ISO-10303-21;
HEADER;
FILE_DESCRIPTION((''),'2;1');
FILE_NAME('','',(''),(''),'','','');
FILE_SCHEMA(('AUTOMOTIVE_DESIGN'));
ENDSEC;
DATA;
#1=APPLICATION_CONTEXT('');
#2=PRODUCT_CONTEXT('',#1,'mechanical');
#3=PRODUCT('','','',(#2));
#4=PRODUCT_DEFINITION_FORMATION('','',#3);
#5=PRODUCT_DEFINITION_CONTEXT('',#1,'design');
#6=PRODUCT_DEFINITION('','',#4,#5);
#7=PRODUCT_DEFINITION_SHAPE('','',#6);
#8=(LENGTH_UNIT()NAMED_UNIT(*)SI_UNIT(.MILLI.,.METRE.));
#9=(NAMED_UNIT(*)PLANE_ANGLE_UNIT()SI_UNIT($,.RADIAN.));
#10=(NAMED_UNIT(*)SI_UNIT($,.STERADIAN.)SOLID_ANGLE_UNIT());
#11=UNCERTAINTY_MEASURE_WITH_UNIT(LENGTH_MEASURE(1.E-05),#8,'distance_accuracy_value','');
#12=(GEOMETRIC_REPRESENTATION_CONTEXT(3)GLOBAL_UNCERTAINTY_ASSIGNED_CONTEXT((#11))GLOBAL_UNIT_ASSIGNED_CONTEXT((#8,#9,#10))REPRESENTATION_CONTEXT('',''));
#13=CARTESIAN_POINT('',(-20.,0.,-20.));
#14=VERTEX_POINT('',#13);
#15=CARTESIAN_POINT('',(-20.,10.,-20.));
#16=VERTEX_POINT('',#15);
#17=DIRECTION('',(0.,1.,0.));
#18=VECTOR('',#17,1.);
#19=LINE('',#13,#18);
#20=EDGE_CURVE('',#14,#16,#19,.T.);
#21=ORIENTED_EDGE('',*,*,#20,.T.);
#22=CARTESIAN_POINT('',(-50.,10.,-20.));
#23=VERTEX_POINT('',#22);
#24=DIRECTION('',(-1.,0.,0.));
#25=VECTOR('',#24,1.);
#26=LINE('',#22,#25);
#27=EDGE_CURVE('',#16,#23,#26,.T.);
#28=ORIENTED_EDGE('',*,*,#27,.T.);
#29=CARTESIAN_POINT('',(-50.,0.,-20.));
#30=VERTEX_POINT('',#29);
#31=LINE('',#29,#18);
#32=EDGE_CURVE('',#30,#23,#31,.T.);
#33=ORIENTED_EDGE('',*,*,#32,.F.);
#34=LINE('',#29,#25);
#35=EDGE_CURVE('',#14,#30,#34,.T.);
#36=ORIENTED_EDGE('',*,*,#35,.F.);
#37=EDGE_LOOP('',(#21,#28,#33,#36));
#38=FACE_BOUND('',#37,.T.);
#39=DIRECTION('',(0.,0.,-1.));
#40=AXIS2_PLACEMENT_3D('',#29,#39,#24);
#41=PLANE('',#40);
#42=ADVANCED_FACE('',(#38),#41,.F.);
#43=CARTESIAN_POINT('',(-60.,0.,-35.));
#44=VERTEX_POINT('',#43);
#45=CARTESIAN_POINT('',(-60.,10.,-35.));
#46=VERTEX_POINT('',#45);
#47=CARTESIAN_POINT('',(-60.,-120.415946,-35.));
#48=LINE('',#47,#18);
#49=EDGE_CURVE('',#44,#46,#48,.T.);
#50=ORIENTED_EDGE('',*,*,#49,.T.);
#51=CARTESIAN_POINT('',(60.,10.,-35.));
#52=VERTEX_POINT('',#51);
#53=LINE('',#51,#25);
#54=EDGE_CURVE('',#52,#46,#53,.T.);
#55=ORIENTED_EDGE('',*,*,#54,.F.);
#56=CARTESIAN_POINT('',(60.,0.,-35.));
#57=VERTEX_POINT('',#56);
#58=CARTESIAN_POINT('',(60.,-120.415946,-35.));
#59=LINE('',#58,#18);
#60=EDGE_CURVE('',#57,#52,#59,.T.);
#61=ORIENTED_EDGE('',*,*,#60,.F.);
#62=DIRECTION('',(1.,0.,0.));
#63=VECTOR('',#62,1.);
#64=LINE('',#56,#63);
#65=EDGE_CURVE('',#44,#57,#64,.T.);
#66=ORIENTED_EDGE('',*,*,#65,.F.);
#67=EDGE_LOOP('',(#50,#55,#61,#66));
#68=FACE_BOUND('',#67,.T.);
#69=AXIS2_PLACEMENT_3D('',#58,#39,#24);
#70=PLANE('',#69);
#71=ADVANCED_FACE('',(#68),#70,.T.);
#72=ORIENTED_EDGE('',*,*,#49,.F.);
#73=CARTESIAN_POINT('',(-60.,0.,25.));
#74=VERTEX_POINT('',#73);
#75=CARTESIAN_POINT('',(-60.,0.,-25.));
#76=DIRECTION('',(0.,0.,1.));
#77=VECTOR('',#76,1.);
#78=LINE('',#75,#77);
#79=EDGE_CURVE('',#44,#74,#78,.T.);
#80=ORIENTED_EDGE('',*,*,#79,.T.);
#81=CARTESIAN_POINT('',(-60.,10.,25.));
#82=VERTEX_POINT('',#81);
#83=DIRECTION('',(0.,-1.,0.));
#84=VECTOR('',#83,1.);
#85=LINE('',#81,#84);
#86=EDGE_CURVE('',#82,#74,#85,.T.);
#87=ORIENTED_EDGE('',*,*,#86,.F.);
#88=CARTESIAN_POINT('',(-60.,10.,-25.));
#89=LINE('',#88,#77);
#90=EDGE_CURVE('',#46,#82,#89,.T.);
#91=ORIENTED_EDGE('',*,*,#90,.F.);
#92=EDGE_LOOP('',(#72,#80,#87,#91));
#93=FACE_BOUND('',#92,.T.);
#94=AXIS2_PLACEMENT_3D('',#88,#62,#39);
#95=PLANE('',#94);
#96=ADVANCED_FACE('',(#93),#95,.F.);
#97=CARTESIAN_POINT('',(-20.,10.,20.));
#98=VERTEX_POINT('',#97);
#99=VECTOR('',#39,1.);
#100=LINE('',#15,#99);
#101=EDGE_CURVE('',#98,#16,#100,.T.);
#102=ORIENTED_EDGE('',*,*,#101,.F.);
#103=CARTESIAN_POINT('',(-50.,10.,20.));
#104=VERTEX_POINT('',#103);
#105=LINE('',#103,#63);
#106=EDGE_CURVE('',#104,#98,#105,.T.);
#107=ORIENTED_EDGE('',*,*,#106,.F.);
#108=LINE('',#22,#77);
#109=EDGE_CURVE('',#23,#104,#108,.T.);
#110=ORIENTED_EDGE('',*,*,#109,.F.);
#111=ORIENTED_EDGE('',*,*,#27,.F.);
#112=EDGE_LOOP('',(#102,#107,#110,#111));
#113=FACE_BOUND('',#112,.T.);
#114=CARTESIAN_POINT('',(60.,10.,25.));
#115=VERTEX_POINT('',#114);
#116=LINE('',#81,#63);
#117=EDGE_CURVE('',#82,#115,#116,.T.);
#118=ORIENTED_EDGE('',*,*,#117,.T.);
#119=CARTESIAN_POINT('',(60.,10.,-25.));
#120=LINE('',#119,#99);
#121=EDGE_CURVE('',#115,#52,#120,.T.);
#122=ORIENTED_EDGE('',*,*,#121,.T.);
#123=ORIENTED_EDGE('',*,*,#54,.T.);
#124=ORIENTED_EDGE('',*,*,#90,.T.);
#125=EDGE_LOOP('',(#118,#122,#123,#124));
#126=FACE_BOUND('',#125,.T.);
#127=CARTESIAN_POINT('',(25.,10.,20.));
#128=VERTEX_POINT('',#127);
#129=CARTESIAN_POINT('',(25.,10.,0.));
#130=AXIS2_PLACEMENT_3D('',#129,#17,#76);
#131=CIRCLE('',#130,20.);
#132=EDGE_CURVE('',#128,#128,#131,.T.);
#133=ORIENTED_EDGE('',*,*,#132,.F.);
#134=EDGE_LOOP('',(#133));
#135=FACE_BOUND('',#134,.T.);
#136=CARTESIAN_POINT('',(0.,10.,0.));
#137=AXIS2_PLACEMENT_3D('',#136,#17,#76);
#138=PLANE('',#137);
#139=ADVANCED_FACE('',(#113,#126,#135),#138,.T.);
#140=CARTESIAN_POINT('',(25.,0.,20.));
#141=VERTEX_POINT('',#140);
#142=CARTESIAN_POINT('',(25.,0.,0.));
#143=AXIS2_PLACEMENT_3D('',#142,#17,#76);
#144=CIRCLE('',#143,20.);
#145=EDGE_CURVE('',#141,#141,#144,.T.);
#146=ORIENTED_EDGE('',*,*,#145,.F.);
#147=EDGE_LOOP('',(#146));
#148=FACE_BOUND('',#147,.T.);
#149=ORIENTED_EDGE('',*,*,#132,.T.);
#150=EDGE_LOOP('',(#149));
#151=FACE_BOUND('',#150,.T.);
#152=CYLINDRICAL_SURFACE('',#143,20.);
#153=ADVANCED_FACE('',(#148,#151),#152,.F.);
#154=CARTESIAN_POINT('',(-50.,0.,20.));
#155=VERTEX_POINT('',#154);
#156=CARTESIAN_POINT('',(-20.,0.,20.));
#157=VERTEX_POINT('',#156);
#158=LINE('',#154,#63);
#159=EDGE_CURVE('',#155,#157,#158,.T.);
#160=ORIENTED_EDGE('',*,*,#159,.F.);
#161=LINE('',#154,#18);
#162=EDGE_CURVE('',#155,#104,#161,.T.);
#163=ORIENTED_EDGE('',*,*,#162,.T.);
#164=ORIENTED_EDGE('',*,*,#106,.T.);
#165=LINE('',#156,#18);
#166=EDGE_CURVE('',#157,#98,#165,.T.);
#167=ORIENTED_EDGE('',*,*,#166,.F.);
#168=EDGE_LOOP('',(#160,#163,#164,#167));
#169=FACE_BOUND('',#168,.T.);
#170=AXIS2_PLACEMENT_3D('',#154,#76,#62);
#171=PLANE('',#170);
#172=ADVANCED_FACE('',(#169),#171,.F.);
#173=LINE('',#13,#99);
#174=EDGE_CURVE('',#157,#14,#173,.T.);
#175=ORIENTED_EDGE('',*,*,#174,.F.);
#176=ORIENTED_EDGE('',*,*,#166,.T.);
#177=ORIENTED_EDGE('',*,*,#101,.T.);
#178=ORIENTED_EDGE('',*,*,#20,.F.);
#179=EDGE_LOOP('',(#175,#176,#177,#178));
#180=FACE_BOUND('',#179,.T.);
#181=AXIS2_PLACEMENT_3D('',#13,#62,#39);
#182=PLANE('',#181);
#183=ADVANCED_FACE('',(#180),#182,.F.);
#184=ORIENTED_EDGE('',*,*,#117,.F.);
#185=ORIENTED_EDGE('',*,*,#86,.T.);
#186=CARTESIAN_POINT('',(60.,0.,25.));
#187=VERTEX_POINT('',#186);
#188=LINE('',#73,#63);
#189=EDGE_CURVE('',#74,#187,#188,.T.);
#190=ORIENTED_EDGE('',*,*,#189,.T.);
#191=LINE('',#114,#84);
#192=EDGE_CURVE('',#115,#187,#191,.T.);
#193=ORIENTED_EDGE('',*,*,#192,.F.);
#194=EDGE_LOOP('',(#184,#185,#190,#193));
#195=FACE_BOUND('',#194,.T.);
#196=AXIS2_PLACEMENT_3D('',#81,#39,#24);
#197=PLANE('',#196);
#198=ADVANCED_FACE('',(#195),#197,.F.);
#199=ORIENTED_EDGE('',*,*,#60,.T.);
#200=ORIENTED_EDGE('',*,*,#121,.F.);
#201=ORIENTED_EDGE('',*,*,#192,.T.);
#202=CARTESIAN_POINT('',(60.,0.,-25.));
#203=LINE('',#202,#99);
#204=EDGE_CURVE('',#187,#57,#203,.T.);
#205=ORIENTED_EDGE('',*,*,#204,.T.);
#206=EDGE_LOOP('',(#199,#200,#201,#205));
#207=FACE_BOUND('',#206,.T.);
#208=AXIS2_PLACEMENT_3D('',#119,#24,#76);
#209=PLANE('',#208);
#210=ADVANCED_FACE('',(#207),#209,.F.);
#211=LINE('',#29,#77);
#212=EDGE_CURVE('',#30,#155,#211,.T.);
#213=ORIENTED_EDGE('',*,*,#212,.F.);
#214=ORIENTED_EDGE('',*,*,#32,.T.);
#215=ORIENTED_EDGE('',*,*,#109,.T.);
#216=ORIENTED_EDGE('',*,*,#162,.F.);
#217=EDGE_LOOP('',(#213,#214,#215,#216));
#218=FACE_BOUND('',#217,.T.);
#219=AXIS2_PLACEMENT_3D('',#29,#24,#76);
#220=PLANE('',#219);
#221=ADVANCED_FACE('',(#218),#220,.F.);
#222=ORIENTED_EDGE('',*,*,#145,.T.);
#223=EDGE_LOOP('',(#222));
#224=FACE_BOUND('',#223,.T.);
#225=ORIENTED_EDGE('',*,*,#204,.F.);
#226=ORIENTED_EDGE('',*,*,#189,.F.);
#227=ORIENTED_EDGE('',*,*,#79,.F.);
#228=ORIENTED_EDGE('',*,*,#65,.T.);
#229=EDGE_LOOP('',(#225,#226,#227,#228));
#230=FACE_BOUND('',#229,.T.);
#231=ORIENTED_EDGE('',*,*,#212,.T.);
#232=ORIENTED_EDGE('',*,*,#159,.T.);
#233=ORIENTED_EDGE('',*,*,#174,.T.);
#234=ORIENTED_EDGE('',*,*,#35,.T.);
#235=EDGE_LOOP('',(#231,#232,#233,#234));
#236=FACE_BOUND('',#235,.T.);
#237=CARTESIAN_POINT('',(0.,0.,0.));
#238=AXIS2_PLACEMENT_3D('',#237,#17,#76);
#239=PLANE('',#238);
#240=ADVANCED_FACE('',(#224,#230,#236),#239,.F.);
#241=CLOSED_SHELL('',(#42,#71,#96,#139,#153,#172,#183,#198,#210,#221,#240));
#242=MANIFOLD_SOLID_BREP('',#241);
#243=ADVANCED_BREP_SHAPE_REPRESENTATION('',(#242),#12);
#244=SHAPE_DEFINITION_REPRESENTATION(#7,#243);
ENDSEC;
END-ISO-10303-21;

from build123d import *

# Parameters (mm, degrees)
SKIZZE1_W                       = 120
SKIZZE1_H                       = 50
AUFSATZ_LINEAR_AUSTRAGEN1_DEPTH = 10
SKIZZE3_R                       = 20
SKIZZE3_W                       = 30
SKIZZE3_H                       = 40
SCHNITT_LINEAR_AUSTRAGEN1_DEPTH = 66.76473219
SKIZZE4_W                       = 120
SKIZZE4_H                       = 10
AUFSATZ_LINEAR_AUSTRAGEN2_DEPTH = 10


with BuildPart() as part:
    # Skizze1 → Aufsatz-Linear austragen1 (new body)
    with BuildSketch(Plane(origin=(0, 0, 0), x_dir=(1, 0, 0), z_dir=(0, 1, 0))):
        Rectangle(SKIZZE1_W, SKIZZE1_H)
    extrude(amount=AUFSATZ_LINEAR_AUSTRAGEN1_DEPTH)

    # Skizze3 → Schnitt-Linear austragen1 (cut, through all)
    with BuildSketch(Plane(origin=(0, 10, 0), x_dir=(1, 0, 0), z_dir=(0, 1, 0))):
        with Locations(Location((25, 0, 0), (0, 0, 270))):
            Circle(SKIZZE3_R)
        with Locations((-35, 0)):
            Rectangle(SKIZZE3_W, SKIZZE3_H)
    extrude(amount=-SCHNITT_LINEAR_AUSTRAGEN1_DEPTH, mode=Mode.SUBTRACT)

    # Skizze4 → Aufsatz-Linear austragen2 (add)
    with BuildSketch(Plane(origin=(0, 10, 0), x_dir=(1, 0, 0), z_dir=(0, 1, 0))):
        with Locations((0, 30)):
            Rectangle(SKIZZE4_W, SKIZZE4_H)
    extrude(amount=-AUFSATZ_LINEAR_AUSTRAGEN2_DEPTH)


solid = part.part
